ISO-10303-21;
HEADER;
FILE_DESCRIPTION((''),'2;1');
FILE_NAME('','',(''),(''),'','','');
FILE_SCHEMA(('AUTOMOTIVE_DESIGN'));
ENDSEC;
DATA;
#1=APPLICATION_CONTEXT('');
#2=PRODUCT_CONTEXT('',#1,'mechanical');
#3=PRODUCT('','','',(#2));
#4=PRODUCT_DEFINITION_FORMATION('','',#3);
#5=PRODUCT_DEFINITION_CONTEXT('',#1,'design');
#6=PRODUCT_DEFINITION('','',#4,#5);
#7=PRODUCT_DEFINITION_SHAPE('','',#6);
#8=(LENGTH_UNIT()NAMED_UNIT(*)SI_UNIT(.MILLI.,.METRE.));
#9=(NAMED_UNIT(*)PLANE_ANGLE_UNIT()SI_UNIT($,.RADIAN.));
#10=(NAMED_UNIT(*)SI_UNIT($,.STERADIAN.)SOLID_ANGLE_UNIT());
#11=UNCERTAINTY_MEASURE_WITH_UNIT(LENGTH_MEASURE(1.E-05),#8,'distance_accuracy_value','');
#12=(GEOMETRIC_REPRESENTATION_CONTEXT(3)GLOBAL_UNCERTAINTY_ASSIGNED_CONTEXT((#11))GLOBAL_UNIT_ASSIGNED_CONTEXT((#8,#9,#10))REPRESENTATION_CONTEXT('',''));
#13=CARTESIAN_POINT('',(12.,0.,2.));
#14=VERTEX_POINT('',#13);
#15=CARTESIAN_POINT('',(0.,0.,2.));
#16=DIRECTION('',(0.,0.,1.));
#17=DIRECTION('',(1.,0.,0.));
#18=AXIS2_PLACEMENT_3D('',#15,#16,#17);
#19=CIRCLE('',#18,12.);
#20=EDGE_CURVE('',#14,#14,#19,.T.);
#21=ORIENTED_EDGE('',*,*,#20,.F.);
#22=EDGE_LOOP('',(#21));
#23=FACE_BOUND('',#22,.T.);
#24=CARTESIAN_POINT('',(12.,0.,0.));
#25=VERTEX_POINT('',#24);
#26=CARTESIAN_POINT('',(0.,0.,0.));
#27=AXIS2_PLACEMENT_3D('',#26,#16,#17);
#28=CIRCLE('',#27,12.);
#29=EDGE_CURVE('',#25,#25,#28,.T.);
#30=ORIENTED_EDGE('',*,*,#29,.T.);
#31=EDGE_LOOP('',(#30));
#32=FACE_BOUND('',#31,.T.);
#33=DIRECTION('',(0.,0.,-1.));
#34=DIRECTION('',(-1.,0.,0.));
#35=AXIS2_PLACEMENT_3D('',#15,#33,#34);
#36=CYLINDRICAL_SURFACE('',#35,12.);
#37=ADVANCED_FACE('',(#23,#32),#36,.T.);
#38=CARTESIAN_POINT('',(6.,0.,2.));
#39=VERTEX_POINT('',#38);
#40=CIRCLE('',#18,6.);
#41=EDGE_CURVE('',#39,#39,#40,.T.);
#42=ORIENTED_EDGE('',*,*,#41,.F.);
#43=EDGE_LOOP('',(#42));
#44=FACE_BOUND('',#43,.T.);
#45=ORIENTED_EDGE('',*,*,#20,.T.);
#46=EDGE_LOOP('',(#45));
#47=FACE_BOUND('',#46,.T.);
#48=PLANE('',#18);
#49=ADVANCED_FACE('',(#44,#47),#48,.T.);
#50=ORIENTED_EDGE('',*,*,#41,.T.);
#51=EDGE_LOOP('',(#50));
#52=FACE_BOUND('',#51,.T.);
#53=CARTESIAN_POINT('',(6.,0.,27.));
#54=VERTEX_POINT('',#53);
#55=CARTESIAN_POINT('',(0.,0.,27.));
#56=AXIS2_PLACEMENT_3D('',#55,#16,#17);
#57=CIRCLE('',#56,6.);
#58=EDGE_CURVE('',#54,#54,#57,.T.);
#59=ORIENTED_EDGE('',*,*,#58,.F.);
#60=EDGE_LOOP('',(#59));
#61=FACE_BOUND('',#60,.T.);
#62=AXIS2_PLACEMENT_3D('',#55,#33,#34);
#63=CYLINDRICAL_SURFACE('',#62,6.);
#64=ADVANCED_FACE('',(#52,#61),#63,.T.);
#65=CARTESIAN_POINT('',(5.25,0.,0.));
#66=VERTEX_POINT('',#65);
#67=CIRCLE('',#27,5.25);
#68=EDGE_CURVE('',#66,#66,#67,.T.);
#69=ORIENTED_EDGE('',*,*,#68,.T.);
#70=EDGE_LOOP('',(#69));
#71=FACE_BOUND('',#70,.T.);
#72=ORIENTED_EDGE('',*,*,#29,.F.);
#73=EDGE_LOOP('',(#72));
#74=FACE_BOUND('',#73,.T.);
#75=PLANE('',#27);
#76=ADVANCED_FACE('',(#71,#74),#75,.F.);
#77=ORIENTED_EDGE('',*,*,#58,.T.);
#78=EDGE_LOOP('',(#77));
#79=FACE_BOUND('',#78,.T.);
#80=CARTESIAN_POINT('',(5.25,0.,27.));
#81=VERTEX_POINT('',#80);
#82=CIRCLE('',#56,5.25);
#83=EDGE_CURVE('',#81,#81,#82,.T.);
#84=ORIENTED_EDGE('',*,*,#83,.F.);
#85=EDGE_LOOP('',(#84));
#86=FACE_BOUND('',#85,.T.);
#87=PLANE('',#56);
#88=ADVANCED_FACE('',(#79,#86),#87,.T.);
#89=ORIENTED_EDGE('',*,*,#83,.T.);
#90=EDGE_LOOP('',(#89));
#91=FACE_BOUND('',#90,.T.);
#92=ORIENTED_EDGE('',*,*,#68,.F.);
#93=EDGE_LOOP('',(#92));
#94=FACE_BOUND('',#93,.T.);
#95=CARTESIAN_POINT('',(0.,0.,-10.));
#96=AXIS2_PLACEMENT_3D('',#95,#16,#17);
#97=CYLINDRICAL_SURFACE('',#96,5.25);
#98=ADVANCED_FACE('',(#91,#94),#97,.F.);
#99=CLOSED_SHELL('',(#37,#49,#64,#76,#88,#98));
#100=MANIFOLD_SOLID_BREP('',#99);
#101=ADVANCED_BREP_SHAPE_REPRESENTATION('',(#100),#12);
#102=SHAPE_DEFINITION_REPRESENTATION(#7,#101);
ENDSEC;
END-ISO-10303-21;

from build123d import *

# Parameters (mm, degrees)
IZIM1_R                     = 12
Y_KSEKLIK_EKSTR_ZYON1_DEPTH = 2
IZIM2_R                     = 6
Y_KSEKLIK_EKSTR_ZYON2_DEPTH = 25
IZIM3_R                     = 5.25
KES_EKSTR_ZYON1_DEPTH       = 37


with BuildPart() as part:
    # Çizim1 → Yükseklik-Ekstrüzyon1 (new body)
    with BuildSketch(Plane.XY):
        Circle(IZIM1_R)
    extrude(amount=Y_KSEKLIK_EKSTR_ZYON1_DEPTH)

    # Çizim2 → Yükseklik-Ekstrüzyon2 (add)
    with BuildSketch(Plane.XY.offset(2)):
        Circle(IZIM2_R)
    extrude(amount=Y_KSEKLIK_EKSTR_ZYON2_DEPTH)

    # Çizim3 → Kes-Ekstrüzyon1 (cut)
    with BuildSketch(Plane.XY.offset(27)):
        Circle(IZIM3_R)
    extrude(amount=-KES_EKSTR_ZYON1_DEPTH, mode=Mode.SUBTRACT)


solid = part.part
